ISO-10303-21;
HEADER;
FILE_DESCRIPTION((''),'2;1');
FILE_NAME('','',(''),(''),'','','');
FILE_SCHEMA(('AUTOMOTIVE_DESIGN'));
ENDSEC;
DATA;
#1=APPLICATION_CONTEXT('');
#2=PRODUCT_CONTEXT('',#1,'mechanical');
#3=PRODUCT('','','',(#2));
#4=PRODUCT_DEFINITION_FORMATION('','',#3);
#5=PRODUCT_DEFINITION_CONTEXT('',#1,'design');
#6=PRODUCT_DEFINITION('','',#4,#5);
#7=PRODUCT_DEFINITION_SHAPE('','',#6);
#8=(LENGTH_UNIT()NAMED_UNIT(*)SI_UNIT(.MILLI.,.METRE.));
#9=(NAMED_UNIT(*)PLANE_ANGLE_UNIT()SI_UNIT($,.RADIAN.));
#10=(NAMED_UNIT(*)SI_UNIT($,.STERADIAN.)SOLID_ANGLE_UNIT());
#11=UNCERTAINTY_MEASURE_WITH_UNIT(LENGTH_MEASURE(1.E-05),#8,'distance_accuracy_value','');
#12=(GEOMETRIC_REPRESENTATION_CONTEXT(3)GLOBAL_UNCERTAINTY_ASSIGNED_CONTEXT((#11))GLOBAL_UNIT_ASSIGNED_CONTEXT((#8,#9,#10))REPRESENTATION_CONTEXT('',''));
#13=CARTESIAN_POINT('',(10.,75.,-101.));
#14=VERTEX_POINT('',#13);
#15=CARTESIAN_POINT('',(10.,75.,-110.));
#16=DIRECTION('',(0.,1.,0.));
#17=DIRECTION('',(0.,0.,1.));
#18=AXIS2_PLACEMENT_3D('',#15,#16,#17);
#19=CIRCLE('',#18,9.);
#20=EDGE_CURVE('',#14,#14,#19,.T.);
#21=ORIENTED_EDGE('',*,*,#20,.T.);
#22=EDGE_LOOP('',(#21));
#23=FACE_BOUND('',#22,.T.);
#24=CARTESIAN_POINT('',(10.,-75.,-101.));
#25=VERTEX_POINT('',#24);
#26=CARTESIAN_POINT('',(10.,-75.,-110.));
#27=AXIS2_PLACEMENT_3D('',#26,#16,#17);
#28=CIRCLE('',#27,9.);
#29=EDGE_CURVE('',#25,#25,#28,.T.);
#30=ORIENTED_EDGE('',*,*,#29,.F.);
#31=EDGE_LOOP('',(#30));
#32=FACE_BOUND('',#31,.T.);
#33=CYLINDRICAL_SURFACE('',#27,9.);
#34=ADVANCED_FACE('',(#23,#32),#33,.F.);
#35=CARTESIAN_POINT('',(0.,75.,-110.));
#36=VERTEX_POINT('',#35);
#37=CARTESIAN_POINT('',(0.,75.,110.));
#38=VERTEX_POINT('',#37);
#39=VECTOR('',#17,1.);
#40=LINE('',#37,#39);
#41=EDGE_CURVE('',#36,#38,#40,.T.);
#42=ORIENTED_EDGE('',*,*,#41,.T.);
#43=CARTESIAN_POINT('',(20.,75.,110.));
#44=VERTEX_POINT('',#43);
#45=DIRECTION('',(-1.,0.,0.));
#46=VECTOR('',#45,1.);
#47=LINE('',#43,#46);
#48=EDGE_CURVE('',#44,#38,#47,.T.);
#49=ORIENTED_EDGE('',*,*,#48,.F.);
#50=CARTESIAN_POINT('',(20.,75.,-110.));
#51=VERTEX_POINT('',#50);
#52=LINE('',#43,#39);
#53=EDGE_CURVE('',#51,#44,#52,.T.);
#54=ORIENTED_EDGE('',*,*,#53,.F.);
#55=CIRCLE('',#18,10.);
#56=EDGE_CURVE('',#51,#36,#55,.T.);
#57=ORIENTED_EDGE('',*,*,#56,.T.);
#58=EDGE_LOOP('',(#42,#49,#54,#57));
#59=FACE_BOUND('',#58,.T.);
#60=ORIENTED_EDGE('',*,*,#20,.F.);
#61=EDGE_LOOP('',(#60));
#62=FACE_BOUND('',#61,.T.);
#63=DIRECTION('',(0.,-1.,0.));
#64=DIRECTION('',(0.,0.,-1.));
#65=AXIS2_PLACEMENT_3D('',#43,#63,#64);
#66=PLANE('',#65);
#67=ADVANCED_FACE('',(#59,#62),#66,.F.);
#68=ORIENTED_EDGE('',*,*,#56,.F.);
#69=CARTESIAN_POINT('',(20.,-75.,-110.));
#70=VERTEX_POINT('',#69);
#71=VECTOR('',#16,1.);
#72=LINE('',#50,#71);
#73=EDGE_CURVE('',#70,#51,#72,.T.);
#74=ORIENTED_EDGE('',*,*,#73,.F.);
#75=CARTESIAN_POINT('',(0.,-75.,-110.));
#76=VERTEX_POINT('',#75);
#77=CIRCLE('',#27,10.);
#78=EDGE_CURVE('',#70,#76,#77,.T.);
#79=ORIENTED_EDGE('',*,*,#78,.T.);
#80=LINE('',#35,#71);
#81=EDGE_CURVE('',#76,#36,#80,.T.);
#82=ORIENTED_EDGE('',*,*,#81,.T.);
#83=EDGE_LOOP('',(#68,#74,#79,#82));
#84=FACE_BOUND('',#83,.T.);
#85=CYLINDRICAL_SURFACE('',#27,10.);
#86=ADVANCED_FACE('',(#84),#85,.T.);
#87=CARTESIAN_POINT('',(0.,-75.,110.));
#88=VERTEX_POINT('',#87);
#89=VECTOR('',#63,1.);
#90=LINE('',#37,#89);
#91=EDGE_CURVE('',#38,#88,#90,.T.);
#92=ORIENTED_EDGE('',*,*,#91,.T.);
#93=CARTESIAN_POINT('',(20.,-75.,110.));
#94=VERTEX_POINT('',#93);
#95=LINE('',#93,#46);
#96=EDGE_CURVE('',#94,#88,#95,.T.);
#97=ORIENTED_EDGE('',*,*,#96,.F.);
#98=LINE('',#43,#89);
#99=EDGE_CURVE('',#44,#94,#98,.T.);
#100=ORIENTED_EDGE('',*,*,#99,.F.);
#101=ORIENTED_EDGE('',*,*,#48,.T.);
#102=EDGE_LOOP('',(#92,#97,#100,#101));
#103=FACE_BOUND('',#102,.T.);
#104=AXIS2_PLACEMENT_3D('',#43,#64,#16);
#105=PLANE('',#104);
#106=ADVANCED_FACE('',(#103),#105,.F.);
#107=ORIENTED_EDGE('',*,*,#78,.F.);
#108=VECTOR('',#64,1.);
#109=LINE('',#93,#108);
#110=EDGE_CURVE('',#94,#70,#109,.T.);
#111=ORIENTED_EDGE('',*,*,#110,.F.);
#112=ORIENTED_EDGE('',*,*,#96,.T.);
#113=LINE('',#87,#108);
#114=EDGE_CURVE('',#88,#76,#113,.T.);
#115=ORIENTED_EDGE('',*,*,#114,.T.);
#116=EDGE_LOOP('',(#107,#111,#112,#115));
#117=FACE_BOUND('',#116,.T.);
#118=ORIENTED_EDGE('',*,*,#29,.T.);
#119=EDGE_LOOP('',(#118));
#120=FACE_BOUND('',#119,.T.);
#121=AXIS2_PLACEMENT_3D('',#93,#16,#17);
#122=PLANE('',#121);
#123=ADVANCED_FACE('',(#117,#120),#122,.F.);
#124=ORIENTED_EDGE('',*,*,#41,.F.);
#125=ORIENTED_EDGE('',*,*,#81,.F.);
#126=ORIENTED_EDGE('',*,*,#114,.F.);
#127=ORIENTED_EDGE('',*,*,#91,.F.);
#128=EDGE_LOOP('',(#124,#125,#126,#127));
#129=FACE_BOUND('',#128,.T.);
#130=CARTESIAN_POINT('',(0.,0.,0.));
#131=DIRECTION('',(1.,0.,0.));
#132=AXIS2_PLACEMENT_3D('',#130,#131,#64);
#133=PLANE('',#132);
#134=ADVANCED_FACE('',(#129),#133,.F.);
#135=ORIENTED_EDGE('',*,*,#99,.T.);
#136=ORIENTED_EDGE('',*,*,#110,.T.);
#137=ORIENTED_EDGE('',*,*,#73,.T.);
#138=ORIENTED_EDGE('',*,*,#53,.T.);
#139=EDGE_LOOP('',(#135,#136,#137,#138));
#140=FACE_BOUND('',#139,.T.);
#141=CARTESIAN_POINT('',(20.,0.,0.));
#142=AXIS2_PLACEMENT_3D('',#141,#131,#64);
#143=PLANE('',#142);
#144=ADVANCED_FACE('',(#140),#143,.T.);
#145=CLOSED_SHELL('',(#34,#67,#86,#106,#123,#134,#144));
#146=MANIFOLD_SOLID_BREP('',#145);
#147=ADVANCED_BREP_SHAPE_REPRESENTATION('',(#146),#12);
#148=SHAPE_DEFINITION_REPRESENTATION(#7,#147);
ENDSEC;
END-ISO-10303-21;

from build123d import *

# Parameters (mm, degrees)
SKETCH1_W           = 220
SKETCH1_H           = 150
BOSS_EXTRUDE2_DEPTH = 20
SKETCH3_R           = 10
SKETCH3_R_2         = 9
BOSS_EXTRUDE3_DEPTH = 150
SKETCH4_R           = 9
CUT_EXTRUDE1_DEPTH  = 150


with BuildPart() as part:
    # Sketch1 → Boss-Extrude2 (new body)
    with BuildSketch(Plane(origin=(0, 0, 0), x_dir=(0, 0, -1), z_dir=(1, 0, 0))):
        Rectangle(SKETCH1_W, SKETCH1_H)
    extrude(amount=BOSS_EXTRUDE2_DEPTH)

    # Sketch3 → Boss-Extrude3 (add)
    with BuildSketch(Plane(origin=(0, 75, 0), x_dir=(1, 0, 0), z_dir=(0, 1, 0))):
        with Locations((10, 110)):
            Circle(SKETCH3_R)
        with Locations((10, 110)):
            Circle(SKETCH3_R_2, mode=Mode.SUBTRACT)
    extrude(amount=-BOSS_EXTRUDE3_DEPTH)

    # Sketch4 → Cut-Extrude1 (cut)
    with BuildSketch(Plane(origin=(0, 75, 0), x_dir=(1, 0, 0), z_dir=(0, 1, 0))):
        with Locations(Location((10, 110, 0), (0, 0, 270))):
            Circle(SKETCH4_R)
    extrude(amount=-CUT_EXTRUDE1_DEPTH, mode=Mode.SUBTRACT)


solid = part.part
